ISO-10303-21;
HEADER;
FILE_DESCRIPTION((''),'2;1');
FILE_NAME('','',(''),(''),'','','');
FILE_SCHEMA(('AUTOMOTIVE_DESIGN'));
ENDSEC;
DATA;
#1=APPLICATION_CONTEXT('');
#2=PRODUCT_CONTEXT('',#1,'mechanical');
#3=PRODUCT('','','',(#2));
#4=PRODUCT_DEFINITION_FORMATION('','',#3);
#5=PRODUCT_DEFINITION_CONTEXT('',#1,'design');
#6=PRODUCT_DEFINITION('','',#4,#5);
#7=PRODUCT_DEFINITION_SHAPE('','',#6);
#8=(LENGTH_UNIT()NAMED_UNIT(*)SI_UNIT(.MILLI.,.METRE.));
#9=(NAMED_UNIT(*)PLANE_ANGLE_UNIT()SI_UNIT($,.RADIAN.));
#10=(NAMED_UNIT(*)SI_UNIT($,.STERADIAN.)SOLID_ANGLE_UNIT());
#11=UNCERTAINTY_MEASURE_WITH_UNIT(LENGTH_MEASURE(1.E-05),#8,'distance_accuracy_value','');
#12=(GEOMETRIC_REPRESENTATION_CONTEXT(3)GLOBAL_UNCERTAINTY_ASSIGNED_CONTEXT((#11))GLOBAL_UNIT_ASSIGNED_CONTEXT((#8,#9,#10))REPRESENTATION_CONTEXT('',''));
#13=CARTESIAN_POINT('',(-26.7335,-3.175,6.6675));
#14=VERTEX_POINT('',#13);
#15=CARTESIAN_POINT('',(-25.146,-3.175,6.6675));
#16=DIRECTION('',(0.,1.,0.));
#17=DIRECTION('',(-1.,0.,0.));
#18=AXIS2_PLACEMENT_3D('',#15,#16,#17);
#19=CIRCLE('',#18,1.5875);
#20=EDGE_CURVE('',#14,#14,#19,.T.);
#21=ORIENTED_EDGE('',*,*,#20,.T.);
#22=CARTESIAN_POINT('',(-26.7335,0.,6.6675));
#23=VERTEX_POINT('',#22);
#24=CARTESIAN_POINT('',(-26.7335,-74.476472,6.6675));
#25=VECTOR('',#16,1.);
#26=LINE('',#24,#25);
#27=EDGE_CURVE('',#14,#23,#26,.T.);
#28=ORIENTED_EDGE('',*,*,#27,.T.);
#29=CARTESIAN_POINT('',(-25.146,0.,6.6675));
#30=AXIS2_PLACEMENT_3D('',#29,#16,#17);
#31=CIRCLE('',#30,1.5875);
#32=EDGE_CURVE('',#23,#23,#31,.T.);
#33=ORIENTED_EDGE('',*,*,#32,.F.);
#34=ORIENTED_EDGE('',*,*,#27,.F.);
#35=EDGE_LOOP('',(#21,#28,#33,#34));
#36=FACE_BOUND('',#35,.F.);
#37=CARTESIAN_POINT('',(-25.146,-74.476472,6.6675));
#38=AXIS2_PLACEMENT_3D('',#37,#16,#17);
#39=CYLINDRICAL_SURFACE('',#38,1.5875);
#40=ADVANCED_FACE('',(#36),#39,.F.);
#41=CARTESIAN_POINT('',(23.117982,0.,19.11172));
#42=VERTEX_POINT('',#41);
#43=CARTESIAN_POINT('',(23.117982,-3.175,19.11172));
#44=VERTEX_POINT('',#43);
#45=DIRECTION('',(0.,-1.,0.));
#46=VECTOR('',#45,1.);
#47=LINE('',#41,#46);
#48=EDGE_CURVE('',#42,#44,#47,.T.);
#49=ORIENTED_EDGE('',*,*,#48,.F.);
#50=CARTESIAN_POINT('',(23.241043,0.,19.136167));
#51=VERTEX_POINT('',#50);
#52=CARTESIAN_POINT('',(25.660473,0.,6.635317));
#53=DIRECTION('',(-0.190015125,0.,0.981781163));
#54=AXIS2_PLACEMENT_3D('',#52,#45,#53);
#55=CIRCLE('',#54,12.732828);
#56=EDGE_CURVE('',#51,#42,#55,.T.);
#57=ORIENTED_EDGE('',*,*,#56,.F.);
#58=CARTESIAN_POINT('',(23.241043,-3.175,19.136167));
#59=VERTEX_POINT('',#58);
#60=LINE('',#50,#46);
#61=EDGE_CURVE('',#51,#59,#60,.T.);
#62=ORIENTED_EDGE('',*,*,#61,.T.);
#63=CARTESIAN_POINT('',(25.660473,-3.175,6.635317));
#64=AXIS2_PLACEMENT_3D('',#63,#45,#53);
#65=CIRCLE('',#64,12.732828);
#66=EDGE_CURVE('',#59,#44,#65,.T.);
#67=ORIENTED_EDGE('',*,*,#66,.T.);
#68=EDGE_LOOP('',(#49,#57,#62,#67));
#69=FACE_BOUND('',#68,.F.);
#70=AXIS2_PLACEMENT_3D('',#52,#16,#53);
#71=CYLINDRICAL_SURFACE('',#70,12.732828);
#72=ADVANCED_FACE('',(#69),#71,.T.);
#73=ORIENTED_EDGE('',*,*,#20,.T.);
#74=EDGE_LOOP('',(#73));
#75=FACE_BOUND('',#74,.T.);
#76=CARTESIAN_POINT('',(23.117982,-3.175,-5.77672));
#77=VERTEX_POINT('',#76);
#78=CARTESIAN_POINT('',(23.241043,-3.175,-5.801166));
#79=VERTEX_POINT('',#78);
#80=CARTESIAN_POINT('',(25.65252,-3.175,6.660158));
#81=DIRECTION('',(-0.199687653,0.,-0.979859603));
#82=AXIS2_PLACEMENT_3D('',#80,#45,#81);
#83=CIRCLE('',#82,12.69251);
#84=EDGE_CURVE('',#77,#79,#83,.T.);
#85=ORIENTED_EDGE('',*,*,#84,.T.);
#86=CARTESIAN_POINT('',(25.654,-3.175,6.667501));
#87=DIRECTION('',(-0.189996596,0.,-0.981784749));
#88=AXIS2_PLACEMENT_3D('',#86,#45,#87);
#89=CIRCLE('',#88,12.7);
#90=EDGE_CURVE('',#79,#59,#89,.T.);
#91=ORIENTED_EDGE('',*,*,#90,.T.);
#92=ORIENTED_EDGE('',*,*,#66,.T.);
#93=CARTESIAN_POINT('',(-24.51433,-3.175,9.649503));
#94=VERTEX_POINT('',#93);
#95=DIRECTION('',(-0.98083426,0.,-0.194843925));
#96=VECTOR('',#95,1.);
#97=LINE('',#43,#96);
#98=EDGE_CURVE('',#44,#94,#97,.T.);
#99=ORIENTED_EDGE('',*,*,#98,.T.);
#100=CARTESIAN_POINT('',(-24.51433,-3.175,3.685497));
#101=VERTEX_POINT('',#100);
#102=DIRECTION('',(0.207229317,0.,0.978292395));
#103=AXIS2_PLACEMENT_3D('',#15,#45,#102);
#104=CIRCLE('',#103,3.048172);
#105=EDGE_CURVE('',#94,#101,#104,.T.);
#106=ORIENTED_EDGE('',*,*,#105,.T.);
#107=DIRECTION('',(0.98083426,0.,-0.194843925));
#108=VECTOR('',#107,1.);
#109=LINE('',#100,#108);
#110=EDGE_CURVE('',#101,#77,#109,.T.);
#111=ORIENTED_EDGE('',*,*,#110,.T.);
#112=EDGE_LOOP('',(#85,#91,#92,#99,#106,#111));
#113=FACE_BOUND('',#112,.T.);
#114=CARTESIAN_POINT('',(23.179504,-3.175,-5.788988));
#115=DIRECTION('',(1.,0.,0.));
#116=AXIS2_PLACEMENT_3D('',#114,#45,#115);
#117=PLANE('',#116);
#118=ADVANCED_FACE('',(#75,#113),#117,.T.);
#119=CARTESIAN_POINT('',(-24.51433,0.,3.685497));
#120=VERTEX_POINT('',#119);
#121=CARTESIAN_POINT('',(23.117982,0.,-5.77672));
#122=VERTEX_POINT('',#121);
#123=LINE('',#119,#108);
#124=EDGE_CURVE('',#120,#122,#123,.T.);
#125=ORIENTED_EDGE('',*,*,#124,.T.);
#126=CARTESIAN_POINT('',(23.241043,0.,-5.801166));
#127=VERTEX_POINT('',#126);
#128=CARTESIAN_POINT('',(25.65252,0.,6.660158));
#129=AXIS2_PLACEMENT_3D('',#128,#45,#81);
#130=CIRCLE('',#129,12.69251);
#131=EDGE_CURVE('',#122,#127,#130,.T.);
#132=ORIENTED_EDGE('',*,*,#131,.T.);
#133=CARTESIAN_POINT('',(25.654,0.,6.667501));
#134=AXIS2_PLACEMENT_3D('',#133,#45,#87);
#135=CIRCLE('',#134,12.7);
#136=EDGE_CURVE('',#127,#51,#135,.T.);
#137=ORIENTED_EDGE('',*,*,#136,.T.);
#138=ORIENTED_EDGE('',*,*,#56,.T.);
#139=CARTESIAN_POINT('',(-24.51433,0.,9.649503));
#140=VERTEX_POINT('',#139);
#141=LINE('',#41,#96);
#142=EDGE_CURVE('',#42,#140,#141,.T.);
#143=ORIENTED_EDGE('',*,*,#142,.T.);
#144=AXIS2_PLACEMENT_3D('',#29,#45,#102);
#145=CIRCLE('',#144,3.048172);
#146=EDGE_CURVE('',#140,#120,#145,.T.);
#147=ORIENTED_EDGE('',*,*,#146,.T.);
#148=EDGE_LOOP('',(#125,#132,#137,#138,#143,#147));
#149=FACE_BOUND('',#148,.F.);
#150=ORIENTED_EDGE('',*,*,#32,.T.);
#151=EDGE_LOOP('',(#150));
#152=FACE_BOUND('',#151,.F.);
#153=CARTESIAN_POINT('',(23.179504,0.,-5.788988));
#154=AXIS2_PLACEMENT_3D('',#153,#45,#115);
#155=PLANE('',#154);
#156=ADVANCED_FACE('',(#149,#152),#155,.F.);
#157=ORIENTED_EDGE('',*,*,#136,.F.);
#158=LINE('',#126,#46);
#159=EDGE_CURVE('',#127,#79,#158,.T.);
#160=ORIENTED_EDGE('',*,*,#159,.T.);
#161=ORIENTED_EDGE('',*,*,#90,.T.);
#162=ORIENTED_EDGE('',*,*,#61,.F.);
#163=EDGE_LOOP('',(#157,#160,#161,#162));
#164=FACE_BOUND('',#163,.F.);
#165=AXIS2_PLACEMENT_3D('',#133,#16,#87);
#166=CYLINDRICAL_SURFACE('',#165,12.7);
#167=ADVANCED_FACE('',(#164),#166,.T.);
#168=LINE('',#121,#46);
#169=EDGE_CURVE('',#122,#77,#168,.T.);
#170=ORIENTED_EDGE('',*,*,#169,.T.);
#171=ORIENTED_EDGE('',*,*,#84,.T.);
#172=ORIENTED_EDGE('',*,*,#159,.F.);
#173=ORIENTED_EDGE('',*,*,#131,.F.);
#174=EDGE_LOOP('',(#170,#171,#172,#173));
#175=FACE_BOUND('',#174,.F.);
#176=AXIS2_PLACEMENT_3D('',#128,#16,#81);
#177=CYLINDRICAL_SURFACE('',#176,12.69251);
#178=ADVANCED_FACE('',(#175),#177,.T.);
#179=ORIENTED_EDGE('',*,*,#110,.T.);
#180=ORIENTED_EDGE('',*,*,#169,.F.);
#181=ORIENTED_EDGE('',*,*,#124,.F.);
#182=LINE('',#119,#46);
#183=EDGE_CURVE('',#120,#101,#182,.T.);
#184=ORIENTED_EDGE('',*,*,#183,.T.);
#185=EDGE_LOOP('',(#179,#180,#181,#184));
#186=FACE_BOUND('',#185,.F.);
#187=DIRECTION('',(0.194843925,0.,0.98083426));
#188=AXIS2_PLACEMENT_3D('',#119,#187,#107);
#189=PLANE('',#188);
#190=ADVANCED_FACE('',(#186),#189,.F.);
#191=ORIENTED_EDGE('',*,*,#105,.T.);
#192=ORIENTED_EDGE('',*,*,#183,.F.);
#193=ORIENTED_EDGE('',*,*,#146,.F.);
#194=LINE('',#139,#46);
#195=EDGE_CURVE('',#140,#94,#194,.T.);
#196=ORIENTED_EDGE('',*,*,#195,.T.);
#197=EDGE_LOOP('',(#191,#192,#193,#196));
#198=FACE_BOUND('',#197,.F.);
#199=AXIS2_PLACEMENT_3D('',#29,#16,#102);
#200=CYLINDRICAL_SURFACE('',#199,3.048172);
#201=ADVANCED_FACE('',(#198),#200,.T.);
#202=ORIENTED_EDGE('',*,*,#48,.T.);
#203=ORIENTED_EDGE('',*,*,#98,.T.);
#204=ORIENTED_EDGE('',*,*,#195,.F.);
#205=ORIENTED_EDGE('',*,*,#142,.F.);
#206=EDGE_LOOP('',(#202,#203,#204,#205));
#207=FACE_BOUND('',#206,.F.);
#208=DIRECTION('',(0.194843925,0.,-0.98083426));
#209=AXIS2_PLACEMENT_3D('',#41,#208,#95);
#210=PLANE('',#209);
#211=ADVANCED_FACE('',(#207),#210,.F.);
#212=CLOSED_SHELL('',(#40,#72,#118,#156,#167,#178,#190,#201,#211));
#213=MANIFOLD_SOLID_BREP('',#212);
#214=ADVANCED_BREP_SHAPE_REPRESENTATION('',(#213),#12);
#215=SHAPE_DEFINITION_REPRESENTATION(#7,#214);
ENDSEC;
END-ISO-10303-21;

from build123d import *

# Parameters (mm, degrees)
F1_DEPTH = 3.175
F3_D     = 3.175


with BuildPart() as f1:
    # F0 (on Front) → F1 (new body)
    with BuildSketch(Plane.XZ):
        with BuildLine():
            Line((23.241043, -5.801166), (23.117982, -5.77672))
            ThreePointArc((23.117982, -5.77672), (23.179482, -5.789095), (23.241043, -5.801166))
        make_face()
        with BuildLine():
            Line((-24.51433, 3.685497), (23.117982, -5.77672))
            Line((23.117982, -5.77672), (23.241043, -5.801166))
            ThreePointArc((23.241043, -5.801166), (38.354, 6.6675), (23.241043, 19.136167))
            Line((23.241043, 19.136167), (23.117982, 19.11172))
            Line((23.117982, 19.11172), (-24.51433, 9.649503))
            ThreePointArc((-24.51433, 9.649503), (-28.194172, 6.6675), (-24.51433, 3.685497))
        make_face()
        with BuildLine():
            Line((23.117982, 19.11172), (23.241043, 19.136167))
            ThreePointArc((23.241043, 19.136167), (23.179482, 19.124095), (23.117982, 19.11172))
        make_face()
    extrude(amount=F1_DEPTH)

    # F3 (through all)
    with Locations(Plane.XZ.offset(3.175)):
        with Locations((-25.146, 6.6675)):
            Hole(F3_D / 2)


solid = f1.part
